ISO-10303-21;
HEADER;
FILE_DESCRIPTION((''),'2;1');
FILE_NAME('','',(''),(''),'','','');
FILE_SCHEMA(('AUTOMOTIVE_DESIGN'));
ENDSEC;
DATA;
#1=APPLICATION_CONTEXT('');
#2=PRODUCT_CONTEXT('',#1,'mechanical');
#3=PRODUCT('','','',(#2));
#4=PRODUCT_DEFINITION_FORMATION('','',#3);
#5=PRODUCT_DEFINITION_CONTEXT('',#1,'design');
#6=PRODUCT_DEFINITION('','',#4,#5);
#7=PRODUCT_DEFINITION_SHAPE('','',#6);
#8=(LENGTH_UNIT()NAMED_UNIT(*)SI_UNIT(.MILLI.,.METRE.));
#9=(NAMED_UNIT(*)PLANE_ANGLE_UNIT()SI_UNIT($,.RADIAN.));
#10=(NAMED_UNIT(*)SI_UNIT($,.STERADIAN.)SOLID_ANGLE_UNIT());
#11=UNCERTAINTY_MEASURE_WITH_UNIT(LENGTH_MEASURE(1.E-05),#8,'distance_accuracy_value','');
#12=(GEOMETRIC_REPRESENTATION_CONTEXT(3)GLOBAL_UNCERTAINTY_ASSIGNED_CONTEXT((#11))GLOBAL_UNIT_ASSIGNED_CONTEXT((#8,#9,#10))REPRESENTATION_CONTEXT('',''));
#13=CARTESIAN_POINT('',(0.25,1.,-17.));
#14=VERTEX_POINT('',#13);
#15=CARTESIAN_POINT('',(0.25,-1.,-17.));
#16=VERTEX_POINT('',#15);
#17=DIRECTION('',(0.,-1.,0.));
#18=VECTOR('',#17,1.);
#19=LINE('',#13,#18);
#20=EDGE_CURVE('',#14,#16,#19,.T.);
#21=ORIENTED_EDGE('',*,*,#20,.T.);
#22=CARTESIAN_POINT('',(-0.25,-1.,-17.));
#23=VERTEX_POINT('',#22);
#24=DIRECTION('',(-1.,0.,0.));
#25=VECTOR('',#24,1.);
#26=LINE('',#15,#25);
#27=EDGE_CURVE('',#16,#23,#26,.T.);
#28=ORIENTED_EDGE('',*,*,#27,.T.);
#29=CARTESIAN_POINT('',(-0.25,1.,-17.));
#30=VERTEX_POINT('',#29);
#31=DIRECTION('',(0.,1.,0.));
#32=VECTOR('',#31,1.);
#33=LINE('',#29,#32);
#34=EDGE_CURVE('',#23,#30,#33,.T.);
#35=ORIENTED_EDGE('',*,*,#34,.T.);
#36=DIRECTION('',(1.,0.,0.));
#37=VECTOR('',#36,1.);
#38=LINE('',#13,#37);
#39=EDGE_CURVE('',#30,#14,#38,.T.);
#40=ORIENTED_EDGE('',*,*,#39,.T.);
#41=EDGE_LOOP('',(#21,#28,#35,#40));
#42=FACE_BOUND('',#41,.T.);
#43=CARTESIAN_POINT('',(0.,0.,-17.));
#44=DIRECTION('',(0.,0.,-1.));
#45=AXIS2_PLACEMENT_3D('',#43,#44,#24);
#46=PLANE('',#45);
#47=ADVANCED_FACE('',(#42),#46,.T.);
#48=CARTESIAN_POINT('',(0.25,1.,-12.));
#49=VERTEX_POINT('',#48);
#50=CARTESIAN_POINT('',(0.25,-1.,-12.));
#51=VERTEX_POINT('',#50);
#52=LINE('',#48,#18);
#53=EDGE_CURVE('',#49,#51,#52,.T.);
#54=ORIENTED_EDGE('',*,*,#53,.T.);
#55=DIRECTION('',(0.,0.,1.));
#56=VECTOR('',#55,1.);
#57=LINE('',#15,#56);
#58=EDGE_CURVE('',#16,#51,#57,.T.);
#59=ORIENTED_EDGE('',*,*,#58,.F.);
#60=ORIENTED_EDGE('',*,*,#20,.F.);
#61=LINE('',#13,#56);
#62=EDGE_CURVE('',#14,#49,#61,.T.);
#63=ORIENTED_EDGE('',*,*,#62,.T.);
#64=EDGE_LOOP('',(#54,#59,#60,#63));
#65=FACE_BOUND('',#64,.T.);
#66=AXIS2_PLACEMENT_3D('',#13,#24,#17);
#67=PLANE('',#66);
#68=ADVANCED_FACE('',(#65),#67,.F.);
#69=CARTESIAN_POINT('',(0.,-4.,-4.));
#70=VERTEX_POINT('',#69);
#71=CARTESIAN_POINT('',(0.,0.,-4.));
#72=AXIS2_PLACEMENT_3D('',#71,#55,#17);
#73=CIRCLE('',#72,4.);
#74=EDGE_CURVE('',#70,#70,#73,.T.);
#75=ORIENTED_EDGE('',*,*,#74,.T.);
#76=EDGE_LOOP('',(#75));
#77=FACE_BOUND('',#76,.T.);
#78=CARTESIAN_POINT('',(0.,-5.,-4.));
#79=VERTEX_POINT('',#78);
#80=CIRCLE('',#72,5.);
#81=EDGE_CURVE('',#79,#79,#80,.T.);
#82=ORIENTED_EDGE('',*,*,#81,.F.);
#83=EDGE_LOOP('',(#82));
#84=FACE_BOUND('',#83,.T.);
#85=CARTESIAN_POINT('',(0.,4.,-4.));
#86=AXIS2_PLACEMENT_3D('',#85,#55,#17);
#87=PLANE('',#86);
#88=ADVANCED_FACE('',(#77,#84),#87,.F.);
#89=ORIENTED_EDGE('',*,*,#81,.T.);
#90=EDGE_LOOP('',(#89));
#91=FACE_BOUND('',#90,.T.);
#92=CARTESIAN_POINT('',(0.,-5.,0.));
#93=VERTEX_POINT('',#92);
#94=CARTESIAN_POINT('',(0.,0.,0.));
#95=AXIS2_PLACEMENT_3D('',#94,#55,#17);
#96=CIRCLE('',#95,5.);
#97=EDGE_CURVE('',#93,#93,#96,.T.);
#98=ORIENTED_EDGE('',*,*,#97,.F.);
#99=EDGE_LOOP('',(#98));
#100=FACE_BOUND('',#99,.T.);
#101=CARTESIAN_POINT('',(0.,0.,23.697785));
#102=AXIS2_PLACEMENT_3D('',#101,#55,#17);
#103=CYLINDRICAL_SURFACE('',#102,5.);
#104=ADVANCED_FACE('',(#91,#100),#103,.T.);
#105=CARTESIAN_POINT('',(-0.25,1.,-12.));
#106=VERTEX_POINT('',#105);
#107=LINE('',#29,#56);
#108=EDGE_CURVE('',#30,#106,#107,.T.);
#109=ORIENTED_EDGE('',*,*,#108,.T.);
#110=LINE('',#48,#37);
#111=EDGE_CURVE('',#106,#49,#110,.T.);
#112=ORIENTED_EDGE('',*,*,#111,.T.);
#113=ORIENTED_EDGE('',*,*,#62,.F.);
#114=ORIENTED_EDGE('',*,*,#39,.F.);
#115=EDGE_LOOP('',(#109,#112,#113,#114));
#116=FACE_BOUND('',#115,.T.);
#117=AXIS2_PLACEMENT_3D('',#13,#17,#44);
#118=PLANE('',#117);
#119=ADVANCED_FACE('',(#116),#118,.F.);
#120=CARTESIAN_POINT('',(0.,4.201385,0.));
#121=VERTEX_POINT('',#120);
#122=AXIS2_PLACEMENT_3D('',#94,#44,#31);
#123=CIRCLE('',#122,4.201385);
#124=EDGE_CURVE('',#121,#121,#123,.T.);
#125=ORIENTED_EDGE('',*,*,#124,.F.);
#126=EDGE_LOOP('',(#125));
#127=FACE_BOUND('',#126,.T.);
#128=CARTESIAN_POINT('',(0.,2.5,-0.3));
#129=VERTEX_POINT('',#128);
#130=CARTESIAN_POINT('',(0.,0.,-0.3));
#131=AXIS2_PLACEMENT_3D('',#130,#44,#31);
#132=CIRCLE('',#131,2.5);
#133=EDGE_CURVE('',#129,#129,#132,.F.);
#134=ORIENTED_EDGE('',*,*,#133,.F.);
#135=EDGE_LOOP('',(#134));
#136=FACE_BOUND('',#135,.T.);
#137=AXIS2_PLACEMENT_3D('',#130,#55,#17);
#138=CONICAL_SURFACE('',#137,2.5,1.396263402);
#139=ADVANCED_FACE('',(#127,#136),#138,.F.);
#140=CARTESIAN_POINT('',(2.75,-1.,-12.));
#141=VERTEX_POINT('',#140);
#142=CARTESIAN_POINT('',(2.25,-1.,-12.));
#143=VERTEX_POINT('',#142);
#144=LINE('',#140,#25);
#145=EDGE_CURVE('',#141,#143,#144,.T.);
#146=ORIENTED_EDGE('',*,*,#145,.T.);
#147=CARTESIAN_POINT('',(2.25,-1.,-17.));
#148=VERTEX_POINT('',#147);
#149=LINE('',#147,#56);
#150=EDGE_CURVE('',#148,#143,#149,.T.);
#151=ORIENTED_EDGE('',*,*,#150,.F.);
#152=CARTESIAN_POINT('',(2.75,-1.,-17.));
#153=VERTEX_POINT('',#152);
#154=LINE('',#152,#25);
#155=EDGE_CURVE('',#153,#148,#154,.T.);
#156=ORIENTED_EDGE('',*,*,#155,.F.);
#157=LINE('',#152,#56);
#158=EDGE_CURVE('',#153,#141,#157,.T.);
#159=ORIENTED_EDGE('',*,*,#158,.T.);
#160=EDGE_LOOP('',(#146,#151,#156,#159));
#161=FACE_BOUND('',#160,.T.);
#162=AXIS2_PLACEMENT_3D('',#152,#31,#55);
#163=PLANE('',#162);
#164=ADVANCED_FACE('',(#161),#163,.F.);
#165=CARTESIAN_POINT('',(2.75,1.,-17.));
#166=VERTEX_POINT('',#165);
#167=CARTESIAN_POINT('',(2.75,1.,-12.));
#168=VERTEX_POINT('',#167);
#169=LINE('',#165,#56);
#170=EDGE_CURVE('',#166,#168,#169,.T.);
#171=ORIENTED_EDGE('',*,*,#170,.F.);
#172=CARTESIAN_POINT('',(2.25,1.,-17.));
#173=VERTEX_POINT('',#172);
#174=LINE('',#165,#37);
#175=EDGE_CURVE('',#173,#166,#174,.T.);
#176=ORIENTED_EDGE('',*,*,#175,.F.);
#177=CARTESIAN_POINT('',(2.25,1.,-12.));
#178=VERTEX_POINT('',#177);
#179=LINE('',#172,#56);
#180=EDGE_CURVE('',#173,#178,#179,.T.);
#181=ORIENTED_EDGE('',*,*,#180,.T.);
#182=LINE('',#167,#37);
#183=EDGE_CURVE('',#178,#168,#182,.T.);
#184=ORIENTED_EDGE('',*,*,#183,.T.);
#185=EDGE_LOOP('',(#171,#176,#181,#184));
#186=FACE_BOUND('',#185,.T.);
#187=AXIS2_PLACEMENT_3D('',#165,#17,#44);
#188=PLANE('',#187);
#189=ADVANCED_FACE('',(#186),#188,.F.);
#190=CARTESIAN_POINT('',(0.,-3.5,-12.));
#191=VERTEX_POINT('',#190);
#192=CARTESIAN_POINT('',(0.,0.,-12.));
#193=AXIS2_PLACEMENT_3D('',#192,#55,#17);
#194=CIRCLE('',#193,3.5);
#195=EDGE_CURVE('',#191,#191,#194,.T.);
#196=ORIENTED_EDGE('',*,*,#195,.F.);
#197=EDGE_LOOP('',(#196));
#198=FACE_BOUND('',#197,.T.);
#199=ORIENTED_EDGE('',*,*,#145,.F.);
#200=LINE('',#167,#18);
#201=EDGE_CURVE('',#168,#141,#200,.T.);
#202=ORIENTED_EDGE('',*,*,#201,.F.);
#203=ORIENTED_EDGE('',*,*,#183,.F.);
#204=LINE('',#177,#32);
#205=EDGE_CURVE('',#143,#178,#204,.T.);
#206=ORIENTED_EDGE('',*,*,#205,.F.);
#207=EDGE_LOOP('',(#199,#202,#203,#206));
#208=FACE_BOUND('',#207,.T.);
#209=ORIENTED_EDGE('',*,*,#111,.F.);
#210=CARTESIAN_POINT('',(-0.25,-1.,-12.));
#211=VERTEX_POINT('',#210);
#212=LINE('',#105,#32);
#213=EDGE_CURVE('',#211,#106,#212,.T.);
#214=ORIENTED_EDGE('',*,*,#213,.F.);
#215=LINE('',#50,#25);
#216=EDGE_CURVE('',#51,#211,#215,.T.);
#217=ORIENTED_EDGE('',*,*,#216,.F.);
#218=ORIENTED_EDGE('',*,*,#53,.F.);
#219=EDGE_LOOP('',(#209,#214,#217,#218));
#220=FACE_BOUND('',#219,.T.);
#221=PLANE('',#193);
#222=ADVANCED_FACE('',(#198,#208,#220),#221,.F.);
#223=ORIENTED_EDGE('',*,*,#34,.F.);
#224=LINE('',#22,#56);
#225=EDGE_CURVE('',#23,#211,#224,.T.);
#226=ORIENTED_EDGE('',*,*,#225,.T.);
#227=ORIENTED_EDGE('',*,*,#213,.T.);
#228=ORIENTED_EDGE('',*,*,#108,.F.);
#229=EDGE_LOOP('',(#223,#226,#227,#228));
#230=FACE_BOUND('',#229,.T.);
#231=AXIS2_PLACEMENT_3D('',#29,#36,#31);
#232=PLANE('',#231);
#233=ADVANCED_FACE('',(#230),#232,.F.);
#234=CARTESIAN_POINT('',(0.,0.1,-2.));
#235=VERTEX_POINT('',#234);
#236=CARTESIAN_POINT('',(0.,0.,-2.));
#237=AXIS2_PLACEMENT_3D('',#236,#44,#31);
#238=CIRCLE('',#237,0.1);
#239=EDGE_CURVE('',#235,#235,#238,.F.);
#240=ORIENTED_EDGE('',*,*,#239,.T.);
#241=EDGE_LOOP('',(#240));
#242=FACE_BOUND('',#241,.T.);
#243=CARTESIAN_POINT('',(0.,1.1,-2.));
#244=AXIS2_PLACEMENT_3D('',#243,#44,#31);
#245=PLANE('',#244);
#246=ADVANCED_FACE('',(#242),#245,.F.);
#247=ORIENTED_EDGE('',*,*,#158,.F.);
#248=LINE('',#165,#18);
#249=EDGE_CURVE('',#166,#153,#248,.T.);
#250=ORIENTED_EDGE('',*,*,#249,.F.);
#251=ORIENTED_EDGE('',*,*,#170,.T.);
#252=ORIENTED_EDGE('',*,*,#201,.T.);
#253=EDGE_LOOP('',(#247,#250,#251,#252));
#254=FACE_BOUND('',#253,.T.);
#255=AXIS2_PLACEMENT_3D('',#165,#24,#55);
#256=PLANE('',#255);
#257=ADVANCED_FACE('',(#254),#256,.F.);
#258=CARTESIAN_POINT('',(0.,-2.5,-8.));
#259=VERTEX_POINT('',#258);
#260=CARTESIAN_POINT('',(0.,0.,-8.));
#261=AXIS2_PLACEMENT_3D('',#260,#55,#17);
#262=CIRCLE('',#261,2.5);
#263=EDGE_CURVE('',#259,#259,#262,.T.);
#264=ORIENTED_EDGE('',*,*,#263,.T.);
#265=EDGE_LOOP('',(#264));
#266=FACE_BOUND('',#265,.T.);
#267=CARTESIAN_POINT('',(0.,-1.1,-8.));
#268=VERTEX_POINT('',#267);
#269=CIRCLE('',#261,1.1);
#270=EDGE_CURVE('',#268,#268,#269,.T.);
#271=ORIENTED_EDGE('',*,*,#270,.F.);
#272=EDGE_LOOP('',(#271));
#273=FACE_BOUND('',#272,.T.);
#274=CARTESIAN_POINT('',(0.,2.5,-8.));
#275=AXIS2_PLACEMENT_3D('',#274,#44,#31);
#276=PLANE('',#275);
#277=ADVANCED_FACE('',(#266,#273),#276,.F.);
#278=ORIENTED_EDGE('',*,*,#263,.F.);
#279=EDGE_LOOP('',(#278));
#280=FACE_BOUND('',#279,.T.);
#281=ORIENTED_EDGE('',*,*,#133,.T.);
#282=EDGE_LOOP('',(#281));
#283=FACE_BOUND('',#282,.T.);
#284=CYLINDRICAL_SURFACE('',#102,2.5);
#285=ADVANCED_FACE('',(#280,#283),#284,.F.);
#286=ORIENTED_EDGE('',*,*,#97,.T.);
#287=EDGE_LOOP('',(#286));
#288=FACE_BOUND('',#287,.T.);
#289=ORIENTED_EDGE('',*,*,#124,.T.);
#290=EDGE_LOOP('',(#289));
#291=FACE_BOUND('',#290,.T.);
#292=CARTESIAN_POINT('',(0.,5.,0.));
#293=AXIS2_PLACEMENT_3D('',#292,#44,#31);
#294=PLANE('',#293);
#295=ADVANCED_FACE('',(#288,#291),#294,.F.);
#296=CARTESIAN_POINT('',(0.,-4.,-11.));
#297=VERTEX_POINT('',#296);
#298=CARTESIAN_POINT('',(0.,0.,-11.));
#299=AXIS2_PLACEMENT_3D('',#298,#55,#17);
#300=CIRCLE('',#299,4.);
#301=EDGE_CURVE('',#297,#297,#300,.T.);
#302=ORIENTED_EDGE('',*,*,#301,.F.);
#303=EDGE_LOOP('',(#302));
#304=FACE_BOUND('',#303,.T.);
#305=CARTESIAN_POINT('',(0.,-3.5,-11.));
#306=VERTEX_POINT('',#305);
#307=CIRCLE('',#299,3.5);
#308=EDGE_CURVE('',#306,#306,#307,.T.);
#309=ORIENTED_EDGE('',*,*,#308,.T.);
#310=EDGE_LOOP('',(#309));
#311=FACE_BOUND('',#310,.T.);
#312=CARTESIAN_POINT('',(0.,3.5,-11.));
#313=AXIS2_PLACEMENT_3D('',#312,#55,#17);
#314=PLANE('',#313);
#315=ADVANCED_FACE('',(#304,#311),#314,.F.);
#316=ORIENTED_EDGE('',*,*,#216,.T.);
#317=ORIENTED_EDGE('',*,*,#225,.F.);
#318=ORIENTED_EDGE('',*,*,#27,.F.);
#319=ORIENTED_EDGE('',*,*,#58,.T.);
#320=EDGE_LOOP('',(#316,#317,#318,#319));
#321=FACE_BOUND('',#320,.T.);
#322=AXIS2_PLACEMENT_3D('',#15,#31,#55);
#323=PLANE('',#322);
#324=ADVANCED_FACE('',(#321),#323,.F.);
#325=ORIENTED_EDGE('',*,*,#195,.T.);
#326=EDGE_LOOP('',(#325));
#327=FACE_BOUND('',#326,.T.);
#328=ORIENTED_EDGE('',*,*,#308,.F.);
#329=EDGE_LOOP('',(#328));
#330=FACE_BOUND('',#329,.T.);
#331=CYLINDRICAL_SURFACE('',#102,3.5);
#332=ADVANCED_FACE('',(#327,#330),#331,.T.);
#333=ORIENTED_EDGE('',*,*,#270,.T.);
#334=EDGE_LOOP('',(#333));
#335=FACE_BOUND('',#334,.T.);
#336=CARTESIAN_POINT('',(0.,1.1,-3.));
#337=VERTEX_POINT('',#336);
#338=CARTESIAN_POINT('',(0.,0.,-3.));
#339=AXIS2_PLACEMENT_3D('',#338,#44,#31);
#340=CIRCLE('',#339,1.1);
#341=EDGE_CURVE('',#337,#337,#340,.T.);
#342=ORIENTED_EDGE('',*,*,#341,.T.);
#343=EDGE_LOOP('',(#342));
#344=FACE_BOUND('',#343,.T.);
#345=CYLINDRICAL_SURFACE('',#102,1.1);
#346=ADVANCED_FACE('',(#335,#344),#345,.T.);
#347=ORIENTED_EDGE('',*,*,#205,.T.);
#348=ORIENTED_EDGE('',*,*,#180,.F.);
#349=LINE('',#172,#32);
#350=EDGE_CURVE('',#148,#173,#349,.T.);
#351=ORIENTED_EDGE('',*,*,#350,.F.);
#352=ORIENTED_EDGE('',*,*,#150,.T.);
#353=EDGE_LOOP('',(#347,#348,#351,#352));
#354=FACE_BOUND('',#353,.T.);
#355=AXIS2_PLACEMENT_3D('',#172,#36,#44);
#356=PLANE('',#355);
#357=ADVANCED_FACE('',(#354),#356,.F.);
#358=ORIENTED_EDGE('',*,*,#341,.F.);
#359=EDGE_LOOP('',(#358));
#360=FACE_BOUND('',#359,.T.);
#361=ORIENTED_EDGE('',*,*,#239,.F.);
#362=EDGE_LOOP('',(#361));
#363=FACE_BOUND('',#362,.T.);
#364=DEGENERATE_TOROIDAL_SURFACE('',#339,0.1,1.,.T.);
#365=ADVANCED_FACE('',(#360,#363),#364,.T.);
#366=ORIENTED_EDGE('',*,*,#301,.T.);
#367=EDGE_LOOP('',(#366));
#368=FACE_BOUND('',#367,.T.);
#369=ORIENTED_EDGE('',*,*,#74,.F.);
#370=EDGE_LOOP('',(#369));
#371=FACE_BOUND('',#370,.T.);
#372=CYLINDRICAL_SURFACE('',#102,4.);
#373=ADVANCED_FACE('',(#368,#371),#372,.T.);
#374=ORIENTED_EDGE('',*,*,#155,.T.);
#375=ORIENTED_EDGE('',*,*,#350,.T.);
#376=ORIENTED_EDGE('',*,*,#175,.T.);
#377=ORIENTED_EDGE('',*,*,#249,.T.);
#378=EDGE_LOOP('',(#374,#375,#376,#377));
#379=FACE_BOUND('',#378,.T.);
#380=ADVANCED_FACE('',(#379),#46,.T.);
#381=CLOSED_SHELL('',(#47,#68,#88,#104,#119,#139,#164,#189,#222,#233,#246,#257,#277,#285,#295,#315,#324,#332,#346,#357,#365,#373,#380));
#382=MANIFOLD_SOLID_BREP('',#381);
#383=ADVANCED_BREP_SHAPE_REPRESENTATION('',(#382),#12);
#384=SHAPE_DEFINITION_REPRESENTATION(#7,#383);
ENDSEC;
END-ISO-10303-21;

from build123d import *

# Parameters (mm, degrees)
ZAOKR_GLENIE1_R             = 1
SFAZOWANIE1_SIZE            = 0.3
SFAZOWANIE1_SIZE2           = 1.701384546
SZKIC2_W                    = 0.5
SZKIC2_H                    = 2
DODANIE_WYCI_GNI_CIE1_DEPTH = 5


with BuildPart() as part:
    # Szkic1 → Obrót1 (revolve)
    with BuildSketch(Plane(origin=(0, 0, 0), x_dir=(0, 0, -1), z_dir=(1, 0, 0))):
        Polygon((2, 0), (12, 0), (12, 3.5), (11, 3.5), (11, 4), (4, 4), (4, 5), (0, 5), (0, 2.5), (8, 2.5), (8, 1.1), (2, 1.1), align=None)
    revolve(axis=Axis((0, 0, 23.697784827), (0, 0, -1)))

    # Zaokrąglenie1
    zaokr_glenie1_edges = [part.edges().sort_by_distance(p)[0] for p in [
        (0, -1.1, -2),
    ]]
    fillet(zaokr_glenie1_edges, radius=ZAOKR_GLENIE1_R)

    # Sfazowanie1
    sfazowanie1_edges = [part.edges().sort_by_distance(p)[0] for p in [
        (0, -2.5, 0),
    ]]
    sfazowanie1_side = [part.faces().sort_by_distance(p)[0] for p in [
        (0, -2.5, -4),
    ]]
    chamfer(sfazowanie1_edges, length=SFAZOWANIE1_SIZE, length2=SFAZOWANIE1_SIZE2, reference=sfazowanie1_side[0])

    # Szkic2 → Dodanie-wyciągnięcie1 (add)
    with BuildSketch(Plane(origin=(0, 0, -12), x_dir=(-1, 0, 0), z_dir=(0, 0, -1))):
        with Locations((-2.5, 0)):
            Rectangle(SZKIC2_W, SZKIC2_H)
        Rectangle(SZKIC2_W, SZKIC2_H)
    extrude(amount=DODANIE_WYCI_GNI_CIE1_DEPTH)


solid = part.part
